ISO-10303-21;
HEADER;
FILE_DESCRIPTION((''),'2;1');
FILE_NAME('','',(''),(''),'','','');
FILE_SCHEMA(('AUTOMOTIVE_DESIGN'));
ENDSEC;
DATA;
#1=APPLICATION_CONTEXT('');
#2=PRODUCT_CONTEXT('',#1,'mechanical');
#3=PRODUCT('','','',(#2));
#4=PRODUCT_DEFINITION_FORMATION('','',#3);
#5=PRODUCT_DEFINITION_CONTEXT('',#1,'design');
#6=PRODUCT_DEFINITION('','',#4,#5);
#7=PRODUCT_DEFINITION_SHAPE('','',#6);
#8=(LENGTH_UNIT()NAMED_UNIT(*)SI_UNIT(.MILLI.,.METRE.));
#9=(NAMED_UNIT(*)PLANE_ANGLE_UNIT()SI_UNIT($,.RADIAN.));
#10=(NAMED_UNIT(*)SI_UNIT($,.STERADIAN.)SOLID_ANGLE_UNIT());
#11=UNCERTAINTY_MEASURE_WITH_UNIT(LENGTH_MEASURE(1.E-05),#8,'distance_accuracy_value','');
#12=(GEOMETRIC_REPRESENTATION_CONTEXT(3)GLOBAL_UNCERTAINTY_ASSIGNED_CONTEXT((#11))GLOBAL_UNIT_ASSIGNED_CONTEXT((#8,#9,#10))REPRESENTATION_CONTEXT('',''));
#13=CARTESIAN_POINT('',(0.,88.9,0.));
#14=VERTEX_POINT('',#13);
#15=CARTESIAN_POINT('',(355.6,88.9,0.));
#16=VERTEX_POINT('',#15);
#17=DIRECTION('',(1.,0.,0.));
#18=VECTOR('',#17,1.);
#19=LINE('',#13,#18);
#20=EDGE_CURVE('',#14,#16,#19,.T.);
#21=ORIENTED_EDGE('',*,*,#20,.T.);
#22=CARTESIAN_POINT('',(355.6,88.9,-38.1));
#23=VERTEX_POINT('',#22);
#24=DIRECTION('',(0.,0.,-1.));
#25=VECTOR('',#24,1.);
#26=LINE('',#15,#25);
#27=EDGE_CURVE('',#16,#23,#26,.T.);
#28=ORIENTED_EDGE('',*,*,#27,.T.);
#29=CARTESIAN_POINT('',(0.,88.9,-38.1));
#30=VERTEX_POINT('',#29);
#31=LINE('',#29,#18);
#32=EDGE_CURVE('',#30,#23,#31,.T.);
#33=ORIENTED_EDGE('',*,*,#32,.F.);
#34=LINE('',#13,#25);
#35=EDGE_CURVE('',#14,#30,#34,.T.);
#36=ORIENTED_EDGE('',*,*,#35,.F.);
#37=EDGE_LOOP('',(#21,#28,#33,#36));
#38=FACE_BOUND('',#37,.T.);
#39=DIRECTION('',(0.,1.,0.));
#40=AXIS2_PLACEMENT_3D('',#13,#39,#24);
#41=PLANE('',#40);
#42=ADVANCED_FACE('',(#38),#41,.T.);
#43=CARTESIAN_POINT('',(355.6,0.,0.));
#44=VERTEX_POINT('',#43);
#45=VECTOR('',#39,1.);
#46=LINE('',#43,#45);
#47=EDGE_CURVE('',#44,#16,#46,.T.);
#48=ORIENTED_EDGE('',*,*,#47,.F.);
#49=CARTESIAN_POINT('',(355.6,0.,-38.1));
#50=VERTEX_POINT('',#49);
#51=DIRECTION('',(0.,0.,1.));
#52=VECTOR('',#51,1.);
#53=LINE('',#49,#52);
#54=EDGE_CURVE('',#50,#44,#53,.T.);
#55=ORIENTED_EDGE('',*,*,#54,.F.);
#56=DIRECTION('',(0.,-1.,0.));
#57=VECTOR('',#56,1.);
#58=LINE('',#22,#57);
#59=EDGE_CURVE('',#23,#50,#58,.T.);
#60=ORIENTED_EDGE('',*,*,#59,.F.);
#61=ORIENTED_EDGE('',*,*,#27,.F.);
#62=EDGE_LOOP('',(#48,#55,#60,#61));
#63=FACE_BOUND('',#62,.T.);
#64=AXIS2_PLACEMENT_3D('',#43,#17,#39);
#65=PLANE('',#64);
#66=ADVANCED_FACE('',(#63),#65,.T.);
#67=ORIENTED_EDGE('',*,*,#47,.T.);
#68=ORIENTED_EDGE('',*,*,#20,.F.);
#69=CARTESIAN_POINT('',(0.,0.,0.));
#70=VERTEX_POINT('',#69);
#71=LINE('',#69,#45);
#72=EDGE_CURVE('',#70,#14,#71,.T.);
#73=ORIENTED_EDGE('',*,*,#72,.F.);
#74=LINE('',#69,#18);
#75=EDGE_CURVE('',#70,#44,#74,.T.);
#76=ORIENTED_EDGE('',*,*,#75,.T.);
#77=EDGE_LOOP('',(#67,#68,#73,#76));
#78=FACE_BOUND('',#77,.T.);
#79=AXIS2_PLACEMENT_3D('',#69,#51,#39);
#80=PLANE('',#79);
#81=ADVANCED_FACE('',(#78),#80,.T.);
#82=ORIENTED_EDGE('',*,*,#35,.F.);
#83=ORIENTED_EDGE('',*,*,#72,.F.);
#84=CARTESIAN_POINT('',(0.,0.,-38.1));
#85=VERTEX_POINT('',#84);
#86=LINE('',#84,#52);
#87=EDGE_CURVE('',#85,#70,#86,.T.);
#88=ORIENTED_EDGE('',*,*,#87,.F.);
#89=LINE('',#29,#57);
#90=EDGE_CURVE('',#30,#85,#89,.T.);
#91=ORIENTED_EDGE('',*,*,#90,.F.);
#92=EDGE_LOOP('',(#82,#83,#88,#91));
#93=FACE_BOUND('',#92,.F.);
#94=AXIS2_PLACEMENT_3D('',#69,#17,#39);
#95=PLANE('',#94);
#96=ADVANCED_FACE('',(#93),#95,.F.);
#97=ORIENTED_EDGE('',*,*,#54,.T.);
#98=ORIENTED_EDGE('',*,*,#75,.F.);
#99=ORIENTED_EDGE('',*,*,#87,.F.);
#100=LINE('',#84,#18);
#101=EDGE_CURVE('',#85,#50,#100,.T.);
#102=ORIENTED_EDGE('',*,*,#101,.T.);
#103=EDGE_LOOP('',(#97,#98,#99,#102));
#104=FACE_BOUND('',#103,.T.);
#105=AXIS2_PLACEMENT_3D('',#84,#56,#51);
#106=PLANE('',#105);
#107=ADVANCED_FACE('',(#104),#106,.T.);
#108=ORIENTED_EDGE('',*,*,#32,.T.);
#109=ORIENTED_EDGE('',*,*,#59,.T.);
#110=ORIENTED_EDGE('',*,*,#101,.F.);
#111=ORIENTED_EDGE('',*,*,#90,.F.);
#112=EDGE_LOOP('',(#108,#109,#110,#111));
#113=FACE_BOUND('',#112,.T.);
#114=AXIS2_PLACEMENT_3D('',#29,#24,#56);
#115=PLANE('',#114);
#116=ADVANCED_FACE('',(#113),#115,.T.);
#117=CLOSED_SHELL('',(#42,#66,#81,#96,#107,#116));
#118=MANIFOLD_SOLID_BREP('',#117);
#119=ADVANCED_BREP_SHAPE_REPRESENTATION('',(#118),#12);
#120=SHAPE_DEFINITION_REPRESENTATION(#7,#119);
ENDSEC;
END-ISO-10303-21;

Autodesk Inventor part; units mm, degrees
ref_plane "YZ Plane" through (0, 0, 0) normal (1, 0, 0) x (0, 1, 0)
ref_plane "XZ Plane" through (0, 0, 0) normal (0, 1, 0) x (-1, 0, 0)
ref_plane "XY Plane" through (0, 0, 0) normal (0, 0, 1) x (1, 0, 0)
sketch "Sketch1" plane through (0, 0, 0) normal (1, 0, 0) x (0, 1, 0)
  line L0 (0, 0) -> (88.9, 0)
  line L1 (88.9, 0) -> (88.9, -38.1)
  line L2 (88.9, -38.1) -> (0, -38.1)
  line L3 (0, -38.1) -> (0, 0)
  dimension "d0" = 38.1
  dimension "d1" = 88.9
extrude "Extrusion1" add sketch "Sketch1" along normal blind 355.6
properties part number "H7bd-2" material "Wood (Cherry)"
